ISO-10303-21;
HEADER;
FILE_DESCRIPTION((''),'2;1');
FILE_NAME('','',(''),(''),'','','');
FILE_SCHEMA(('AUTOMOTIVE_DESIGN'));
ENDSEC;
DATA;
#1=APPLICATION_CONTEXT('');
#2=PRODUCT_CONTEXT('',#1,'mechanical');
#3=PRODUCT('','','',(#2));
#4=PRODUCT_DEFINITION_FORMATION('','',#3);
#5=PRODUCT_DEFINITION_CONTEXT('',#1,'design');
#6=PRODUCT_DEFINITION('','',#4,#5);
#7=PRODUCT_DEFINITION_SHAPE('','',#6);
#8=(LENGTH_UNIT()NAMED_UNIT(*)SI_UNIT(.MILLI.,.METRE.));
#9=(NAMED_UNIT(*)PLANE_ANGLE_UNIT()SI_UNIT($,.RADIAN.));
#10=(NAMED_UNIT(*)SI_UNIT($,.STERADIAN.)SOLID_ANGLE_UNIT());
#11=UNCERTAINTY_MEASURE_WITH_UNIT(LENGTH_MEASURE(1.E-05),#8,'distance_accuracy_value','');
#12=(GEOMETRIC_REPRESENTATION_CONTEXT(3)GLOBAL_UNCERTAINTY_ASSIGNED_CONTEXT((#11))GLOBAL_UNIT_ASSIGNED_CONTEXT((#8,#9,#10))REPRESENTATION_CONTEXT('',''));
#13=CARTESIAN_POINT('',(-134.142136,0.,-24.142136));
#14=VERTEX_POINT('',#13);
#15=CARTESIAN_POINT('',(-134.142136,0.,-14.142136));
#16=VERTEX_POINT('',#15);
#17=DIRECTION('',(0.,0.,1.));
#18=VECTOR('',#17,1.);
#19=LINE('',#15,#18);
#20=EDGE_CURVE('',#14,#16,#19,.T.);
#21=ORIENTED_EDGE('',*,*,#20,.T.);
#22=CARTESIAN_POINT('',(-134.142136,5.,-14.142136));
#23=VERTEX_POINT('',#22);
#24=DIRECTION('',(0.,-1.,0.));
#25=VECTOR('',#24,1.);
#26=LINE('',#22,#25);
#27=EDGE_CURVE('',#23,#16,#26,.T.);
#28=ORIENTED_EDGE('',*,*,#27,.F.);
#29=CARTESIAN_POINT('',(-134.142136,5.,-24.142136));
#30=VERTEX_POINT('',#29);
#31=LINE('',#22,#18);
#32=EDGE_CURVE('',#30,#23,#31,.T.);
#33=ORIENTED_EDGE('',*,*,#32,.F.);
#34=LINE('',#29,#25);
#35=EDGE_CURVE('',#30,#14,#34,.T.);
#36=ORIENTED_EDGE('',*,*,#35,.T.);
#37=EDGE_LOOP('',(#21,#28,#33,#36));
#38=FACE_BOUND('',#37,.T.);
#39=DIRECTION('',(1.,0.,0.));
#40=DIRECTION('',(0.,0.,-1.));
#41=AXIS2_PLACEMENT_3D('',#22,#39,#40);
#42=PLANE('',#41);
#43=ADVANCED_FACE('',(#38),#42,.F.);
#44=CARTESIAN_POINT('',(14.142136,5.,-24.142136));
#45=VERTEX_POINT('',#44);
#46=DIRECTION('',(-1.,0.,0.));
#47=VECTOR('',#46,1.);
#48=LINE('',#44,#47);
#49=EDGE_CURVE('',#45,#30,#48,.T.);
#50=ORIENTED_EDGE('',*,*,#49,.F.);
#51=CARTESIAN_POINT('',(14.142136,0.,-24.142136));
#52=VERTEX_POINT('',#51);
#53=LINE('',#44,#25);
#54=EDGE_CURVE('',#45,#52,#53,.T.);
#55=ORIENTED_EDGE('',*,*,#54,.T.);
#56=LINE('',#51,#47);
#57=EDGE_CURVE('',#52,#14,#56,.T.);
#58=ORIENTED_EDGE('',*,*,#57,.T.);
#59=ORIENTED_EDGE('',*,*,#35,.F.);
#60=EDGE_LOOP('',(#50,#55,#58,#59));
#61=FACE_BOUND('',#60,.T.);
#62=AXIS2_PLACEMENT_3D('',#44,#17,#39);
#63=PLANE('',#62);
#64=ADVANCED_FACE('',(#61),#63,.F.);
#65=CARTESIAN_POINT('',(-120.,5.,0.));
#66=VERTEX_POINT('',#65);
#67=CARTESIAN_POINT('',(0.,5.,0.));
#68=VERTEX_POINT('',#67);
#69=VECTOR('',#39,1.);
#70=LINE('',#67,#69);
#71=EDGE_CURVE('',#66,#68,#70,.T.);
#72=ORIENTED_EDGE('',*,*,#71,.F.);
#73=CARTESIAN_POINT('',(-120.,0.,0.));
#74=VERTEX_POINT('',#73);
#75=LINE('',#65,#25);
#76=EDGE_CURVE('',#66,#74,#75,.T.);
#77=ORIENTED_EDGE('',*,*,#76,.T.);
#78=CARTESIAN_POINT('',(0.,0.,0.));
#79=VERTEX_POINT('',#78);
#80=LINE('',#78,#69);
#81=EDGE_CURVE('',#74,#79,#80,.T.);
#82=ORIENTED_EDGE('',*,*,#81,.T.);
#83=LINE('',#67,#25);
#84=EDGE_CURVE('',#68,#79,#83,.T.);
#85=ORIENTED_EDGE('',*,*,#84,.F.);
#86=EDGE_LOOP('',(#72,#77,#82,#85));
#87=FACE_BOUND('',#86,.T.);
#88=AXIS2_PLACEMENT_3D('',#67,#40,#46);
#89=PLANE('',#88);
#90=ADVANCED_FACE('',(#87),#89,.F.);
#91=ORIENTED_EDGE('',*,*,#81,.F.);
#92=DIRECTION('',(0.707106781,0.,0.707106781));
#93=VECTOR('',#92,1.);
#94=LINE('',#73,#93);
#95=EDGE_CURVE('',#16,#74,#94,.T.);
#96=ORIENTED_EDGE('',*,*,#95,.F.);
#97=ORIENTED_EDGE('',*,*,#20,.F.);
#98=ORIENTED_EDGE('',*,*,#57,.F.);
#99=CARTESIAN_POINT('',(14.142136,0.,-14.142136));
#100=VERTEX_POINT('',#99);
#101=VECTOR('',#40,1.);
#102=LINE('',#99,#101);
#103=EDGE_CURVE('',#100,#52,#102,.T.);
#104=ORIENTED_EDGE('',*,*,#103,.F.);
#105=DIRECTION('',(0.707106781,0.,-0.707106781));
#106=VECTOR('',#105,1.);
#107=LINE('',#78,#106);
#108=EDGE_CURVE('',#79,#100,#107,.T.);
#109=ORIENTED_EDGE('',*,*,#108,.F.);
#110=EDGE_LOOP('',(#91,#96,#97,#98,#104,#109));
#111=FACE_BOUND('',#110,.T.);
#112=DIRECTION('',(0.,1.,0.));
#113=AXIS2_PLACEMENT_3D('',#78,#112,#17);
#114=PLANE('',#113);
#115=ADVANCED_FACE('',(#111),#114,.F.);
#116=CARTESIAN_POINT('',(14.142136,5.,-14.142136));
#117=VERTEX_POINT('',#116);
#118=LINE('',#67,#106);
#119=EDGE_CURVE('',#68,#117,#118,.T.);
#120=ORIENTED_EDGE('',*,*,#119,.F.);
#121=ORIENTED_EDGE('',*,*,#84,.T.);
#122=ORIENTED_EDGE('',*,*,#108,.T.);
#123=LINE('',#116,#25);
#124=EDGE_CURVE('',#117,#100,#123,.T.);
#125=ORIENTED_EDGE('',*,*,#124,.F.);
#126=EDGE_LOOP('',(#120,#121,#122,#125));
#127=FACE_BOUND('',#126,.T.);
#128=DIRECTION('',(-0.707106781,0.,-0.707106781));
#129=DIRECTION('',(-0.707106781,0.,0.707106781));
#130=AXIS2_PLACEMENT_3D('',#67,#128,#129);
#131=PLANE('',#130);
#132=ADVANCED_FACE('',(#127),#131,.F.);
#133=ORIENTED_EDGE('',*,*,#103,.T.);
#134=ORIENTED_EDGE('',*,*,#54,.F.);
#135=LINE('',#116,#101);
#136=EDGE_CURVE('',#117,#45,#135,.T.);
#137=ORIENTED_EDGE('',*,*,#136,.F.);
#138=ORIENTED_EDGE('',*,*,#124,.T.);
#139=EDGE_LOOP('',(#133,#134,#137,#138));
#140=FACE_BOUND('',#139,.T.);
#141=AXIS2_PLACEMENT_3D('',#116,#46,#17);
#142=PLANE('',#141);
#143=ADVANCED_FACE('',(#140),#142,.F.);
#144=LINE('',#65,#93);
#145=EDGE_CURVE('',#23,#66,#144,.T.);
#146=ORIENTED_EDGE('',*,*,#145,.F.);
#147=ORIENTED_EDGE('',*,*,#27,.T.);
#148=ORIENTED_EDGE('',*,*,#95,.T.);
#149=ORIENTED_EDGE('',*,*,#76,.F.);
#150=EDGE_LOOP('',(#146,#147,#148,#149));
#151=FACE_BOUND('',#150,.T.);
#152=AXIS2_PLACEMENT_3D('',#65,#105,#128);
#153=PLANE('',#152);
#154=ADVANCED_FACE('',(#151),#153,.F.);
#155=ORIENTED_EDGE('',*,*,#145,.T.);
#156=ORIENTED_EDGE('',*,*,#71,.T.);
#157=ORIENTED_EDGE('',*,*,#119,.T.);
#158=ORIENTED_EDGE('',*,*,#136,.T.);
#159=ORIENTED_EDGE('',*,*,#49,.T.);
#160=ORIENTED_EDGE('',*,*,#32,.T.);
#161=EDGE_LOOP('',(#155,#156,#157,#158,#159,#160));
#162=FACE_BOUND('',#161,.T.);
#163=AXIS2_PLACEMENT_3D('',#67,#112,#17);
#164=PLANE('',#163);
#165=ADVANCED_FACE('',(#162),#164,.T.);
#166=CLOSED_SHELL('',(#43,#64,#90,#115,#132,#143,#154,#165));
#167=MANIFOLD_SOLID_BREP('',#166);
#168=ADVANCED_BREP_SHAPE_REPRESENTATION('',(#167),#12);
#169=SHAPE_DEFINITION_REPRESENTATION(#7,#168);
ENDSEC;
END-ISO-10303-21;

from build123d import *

# Parameters (mm, degrees)
BOSS_EXTRUDE1_DEPTH = 5


with BuildPart() as part:
    # Sketch2 → Boss-Extrude1 (new body)
    with BuildSketch(Plane(origin=(0, 0, 0), x_dir=(1, 0, 0), z_dir=(0, 1, 0))):
        Polygon((0, 0), (-120, 0), (-134.142135624, 14.142135624), (-134.142135624, 24.142135624), (14.142135624, 24.142135624), (14.142135624, 14.142135624), align=None)
    extrude(amount=BOSS_EXTRUDE1_DEPTH)


solid = part.part
